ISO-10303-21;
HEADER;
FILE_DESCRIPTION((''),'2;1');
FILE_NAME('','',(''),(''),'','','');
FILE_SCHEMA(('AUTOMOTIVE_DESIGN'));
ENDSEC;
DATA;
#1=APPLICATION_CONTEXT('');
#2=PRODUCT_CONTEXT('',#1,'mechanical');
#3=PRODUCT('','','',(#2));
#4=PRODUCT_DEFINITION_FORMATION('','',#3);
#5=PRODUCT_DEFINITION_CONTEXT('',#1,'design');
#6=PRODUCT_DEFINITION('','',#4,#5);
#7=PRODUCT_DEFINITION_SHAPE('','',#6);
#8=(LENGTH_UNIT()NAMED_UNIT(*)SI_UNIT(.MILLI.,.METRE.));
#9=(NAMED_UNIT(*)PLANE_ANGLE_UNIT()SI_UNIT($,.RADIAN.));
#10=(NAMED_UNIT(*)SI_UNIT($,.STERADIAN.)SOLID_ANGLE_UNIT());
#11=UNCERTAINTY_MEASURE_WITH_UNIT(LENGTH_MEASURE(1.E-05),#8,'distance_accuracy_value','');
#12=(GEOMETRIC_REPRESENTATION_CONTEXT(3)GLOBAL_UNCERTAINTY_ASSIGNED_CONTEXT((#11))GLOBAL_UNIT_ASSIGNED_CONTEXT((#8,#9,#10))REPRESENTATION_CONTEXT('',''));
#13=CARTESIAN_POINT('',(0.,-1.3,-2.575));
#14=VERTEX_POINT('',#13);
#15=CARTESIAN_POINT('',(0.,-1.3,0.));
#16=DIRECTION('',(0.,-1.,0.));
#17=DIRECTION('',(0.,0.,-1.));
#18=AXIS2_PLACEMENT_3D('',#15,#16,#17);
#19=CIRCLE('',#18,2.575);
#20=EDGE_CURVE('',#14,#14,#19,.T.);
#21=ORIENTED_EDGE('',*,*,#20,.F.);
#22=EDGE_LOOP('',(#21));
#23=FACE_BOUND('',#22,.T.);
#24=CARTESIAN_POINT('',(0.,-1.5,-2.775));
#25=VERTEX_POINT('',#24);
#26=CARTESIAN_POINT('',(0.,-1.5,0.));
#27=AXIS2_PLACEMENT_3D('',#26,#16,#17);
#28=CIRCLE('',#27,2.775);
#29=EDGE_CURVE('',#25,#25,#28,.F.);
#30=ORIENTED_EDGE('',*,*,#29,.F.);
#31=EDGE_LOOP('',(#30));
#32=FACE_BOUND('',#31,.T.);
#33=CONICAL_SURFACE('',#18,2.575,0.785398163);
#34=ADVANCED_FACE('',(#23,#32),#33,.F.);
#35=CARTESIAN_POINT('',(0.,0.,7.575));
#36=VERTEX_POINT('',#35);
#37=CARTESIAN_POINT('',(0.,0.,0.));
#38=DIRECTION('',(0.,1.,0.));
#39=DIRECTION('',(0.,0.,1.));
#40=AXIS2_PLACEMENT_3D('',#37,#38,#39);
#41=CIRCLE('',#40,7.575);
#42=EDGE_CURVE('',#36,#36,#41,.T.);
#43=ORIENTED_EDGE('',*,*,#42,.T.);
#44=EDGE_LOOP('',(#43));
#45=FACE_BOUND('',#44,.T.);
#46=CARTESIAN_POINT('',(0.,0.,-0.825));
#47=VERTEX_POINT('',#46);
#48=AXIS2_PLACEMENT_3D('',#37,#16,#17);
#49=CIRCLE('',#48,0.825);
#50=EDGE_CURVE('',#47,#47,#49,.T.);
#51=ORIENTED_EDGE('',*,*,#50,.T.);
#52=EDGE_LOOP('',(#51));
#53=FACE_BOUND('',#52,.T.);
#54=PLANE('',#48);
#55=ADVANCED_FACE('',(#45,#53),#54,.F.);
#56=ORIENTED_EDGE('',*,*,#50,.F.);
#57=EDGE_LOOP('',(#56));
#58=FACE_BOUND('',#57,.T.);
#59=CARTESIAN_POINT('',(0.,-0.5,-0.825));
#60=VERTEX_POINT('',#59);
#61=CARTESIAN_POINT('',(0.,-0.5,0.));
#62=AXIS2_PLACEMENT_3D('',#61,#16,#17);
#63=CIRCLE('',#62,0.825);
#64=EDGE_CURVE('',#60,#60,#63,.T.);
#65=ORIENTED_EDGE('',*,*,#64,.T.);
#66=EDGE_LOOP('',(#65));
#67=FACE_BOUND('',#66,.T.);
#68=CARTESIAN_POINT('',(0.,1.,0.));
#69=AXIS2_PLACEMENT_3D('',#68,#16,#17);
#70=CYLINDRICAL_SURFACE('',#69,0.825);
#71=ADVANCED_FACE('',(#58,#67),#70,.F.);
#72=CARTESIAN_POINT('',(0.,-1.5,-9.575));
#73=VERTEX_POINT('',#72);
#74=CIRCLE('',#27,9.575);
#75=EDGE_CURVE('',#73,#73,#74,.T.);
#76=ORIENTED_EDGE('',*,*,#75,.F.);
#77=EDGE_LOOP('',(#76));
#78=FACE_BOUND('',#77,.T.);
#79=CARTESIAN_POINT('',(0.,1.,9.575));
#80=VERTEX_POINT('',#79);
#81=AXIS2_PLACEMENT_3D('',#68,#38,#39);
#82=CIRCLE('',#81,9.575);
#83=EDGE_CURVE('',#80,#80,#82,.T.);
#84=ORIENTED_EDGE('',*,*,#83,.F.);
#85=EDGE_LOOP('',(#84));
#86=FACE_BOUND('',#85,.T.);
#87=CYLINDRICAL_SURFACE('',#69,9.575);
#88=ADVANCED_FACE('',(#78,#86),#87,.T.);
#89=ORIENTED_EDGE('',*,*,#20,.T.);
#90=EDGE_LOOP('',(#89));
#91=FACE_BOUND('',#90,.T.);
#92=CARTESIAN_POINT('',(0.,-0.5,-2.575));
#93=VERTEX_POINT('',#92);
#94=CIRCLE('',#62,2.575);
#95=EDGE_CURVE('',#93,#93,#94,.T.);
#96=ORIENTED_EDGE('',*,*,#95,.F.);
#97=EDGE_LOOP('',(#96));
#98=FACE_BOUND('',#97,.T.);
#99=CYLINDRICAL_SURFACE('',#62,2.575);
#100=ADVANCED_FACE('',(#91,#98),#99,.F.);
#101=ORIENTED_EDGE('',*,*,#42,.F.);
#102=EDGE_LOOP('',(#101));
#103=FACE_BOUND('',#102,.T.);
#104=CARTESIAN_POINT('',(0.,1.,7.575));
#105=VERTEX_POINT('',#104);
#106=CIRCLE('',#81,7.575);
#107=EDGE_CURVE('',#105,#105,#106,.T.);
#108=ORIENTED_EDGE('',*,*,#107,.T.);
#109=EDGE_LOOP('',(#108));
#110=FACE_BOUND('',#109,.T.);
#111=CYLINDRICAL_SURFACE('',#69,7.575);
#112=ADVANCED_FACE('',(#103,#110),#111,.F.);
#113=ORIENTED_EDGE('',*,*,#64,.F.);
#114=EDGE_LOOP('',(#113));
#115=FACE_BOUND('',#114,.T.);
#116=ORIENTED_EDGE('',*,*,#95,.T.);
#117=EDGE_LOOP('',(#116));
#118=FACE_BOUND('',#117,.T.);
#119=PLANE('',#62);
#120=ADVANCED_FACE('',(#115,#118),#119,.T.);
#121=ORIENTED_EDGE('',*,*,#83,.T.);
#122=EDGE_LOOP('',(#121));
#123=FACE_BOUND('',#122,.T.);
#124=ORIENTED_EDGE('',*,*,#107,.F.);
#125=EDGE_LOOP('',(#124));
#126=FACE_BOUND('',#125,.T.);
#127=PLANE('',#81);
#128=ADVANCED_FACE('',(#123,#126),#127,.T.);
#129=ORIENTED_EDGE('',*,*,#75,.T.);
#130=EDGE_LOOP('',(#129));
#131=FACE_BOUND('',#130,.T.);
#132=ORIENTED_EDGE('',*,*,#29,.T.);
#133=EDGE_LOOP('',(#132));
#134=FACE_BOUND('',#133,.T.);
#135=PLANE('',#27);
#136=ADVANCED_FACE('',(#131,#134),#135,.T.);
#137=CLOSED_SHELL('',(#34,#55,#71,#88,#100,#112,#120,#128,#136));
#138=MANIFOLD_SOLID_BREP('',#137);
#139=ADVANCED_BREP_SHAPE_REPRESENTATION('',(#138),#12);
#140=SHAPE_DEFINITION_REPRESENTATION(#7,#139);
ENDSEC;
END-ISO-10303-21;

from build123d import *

# Parameters (mm, degrees)
SKETCH1_R           = 9.575
SKETCH1_R_2         = 7.575
BOSS_EXTRUDE1_DEPTH = 1
BOSS_EXTRUDE2_START = 1.5
SKETCH2_R           = 9.575
BOSS_EXTRUDE2_DEPTH = 1.5
SKETCH3_R           = 2.575
CUT_EXTRUDE1_DEPTH  = 1
CHAMFER1_SIZE       = 0.2
SKETCH4_R           = 0.825
CUT_EXTRUDE2_DEPTH  = 14.623921976


with BuildPart() as part:
    # Sketch1 → Boss-Extrude1 (new body)
    with BuildSketch(Plane(origin=(0, 0, 0), x_dir=(1, 0, 0), z_dir=(0, 1, 0))):
        with Locations(Location((0, 0, 0), (0, 0, 270))):
            Circle(SKETCH1_R)
        with Locations(Location((0, 0, 0), (0, 0, 270))):
            Circle(SKETCH1_R_2, mode=Mode.SUBTRACT)
    extrude(amount=BOSS_EXTRUDE1_DEPTH)

    # Sketch2 → Boss-Extrude2 (add)
    with BuildSketch(Plane.XZ.offset(BOSS_EXTRUDE2_START)):
        with Locations(Location((0, 0, 0), (0, 0, 270))):
            Circle(SKETCH2_R)
    extrude(amount=-BOSS_EXTRUDE2_DEPTH)

    # Sketch3 → Cut-Extrude1 (cut)
    with BuildSketch(Plane.XZ.offset(1.5)):
        with Locations(Location((0, 0, 0), (0, 0, 270))):
            Circle(SKETCH3_R)
    extrude(amount=-CUT_EXTRUDE1_DEPTH, mode=Mode.SUBTRACT)

    # Chamfer1
    chamfer1_edges = [part.edges().sort_by_distance(p)[0] for p in [
        (0, -1.5, 2.575),
    ]]
    chamfer(chamfer1_edges, length=CHAMFER1_SIZE)

    # Sketch4 → Cut-Extrude2 (cut, through all)
    with BuildSketch(Plane.XZ.offset(0.5)):
        with Locations(Location((0, 0, 0), (0, 0, 270))):
            Circle(SKETCH4_R)
    extrude(amount=-CUT_EXTRUDE2_DEPTH, mode=Mode.SUBTRACT)


solid = part.part
